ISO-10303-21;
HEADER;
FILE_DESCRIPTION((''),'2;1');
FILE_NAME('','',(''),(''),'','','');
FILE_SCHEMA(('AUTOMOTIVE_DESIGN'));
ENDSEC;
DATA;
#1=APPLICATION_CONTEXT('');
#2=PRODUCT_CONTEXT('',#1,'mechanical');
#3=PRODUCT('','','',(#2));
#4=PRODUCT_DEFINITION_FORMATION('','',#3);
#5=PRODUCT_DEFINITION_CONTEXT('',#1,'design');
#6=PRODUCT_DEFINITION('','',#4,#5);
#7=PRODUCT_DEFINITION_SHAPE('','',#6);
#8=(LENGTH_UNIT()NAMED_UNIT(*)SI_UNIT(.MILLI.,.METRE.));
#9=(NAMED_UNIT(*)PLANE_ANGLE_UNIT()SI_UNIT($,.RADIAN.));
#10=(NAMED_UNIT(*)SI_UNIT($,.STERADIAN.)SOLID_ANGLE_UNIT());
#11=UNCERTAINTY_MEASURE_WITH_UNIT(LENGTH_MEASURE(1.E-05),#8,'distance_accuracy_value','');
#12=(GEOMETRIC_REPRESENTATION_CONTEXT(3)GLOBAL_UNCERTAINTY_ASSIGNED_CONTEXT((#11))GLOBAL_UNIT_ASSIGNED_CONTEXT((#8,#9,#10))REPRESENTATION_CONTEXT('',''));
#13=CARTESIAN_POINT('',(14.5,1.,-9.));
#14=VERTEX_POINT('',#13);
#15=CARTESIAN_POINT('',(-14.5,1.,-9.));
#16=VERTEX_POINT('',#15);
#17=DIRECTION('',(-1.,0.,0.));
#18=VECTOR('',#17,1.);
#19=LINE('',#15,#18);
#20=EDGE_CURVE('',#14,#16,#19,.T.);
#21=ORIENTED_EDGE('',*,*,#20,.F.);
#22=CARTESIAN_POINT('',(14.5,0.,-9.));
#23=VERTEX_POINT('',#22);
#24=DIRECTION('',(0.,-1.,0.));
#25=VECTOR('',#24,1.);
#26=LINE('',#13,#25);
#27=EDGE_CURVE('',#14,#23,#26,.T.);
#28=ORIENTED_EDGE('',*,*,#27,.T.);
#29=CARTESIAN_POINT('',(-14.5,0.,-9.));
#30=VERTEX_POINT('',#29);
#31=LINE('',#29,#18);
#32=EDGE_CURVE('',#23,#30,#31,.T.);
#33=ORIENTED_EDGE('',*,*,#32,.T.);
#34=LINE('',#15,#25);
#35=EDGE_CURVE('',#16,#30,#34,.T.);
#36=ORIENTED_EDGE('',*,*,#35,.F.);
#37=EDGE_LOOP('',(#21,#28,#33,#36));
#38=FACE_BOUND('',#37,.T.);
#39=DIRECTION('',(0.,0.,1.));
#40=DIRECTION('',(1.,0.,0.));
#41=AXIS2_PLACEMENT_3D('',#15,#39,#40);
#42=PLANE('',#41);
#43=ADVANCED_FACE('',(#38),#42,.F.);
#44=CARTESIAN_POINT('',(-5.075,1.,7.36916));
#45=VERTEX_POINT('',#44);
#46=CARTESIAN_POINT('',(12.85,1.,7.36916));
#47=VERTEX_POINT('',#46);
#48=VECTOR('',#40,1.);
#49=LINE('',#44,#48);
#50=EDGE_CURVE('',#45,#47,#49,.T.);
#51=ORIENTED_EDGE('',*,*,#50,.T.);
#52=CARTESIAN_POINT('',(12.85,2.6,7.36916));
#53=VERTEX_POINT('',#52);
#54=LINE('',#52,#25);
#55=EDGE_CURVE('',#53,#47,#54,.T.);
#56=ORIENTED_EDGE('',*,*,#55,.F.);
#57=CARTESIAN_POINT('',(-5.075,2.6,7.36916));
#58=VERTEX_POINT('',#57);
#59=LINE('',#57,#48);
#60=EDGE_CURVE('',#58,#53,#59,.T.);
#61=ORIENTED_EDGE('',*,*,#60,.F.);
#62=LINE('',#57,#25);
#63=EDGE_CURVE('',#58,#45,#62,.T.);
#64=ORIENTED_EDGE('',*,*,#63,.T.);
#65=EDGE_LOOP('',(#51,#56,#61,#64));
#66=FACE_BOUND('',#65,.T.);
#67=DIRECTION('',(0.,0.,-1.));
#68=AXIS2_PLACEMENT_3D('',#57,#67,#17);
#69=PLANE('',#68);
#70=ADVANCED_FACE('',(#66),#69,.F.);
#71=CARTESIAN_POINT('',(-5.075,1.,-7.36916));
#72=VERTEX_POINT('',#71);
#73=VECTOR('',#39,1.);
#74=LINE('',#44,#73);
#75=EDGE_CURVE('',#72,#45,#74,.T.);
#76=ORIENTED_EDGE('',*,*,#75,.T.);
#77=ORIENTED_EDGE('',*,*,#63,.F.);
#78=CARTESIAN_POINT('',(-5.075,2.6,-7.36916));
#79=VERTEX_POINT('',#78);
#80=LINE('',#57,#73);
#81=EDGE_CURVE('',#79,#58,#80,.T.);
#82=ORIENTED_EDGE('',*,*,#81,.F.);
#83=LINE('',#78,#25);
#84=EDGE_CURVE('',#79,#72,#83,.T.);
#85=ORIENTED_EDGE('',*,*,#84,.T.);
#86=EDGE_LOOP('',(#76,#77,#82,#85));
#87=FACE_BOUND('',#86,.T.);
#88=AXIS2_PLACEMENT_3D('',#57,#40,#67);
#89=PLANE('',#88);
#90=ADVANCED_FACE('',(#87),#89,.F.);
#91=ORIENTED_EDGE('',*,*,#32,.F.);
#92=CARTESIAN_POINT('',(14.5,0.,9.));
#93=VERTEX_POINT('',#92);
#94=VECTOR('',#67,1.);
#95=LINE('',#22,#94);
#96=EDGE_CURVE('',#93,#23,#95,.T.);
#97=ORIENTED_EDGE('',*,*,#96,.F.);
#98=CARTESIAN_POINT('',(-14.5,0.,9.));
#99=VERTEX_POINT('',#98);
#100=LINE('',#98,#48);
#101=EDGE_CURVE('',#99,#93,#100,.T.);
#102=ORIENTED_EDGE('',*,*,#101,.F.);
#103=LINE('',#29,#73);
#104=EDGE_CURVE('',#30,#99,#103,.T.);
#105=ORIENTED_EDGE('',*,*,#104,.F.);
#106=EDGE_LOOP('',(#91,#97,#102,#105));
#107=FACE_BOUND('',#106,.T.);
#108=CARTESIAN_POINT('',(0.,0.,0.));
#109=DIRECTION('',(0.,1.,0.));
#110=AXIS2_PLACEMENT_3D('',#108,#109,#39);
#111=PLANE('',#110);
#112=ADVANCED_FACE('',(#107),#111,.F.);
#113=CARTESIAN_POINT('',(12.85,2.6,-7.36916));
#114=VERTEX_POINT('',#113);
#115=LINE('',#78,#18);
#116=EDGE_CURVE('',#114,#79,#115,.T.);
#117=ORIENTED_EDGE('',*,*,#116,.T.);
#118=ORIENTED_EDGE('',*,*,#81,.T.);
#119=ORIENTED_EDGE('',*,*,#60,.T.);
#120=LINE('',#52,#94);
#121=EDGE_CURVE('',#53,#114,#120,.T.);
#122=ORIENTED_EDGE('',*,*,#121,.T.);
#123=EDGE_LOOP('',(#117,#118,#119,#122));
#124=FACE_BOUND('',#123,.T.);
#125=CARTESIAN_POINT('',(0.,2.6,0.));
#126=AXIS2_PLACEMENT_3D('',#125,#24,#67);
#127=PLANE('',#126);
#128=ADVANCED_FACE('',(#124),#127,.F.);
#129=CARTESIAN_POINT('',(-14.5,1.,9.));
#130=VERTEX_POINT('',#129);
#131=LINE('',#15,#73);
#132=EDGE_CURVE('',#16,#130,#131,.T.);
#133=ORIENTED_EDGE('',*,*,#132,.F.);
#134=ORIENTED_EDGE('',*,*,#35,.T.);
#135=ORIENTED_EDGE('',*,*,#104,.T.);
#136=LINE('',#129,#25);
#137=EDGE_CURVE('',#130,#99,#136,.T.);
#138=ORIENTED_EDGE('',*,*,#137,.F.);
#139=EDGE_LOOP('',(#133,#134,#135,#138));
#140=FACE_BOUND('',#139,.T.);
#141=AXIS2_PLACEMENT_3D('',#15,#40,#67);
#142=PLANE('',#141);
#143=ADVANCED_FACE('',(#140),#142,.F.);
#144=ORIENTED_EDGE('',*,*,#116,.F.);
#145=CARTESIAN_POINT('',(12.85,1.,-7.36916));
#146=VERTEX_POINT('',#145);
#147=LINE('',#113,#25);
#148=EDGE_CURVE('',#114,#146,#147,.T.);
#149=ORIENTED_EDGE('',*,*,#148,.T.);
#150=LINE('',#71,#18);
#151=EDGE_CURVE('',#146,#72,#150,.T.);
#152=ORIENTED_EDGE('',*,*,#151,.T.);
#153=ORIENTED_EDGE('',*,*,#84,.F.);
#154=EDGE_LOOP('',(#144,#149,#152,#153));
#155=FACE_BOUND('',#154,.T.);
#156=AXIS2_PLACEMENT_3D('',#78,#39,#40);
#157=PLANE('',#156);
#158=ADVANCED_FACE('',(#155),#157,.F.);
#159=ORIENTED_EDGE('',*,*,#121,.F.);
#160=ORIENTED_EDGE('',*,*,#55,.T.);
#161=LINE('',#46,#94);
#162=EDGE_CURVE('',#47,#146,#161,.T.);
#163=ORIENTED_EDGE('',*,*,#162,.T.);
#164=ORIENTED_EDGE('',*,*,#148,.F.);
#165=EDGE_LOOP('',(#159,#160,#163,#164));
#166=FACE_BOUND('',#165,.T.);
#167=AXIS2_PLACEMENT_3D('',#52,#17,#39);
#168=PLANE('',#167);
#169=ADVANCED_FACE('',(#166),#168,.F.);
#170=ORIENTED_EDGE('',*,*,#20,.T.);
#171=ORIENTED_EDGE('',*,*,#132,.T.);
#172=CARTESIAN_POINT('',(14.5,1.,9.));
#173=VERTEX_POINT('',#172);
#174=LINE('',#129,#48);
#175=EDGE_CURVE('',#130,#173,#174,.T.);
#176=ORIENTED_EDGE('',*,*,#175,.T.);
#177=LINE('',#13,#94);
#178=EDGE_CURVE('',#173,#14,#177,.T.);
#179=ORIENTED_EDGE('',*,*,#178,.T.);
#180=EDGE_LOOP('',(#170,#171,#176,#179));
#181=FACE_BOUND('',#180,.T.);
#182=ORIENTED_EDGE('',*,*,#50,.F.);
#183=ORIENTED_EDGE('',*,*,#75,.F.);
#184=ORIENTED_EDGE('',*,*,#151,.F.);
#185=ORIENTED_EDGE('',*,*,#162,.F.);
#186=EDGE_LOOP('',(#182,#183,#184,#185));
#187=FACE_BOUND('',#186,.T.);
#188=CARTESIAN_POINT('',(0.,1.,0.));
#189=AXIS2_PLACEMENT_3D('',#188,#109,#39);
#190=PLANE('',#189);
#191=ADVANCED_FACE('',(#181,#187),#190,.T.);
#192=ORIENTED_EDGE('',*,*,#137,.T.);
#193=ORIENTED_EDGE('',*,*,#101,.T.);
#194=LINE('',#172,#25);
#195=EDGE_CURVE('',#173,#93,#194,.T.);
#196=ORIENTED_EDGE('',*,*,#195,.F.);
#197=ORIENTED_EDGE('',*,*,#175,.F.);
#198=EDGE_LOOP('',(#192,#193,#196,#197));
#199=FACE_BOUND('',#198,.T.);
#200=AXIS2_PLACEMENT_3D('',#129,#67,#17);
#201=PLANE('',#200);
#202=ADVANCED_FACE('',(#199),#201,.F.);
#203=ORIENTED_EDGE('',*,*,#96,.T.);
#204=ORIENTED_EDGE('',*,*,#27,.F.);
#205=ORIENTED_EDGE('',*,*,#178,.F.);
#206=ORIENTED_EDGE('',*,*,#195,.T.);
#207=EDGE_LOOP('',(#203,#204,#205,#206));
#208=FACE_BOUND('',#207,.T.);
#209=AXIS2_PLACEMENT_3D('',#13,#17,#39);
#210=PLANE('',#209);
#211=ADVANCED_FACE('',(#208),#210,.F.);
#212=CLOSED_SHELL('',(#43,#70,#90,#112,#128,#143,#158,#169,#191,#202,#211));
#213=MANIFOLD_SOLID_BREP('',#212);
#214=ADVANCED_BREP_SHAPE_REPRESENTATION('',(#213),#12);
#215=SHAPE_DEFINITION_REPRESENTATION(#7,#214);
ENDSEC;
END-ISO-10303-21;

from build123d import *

# Parameters (mm, degrees)
SKETCH_1_W      = 29
SKETCH_1_H      = 18
EXTRUDE_1_DEPTH = 1
SKETCH_2_W      = 17.925
SKETCH_2_H      = 14.738319606
EXTRUDE_2_DEPTH = 1.6


with BuildPart() as part:
    # Эскиз1 → Бобышка-Вытянуть1 (new body)
    with BuildSketch(Plane(origin=(0, 0, 0), x_dir=(1, 0, 0), z_dir=(0, 1, 0))):
        Rectangle(SKETCH_1_W, SKETCH_1_H)
    extrude(amount=EXTRUDE_1_DEPTH)

    # Эскиз2 → Бобышка-Вытянуть2 (add)
    with BuildSketch(Plane(origin=(0, 1, 0), x_dir=(1, 0, 0), z_dir=(0, 1, 0))):
        with Locations((3.8875, 0)):
            Rectangle(SKETCH_2_W, SKETCH_2_H)
    extrude(amount=EXTRUDE_2_DEPTH)


solid = part.part
